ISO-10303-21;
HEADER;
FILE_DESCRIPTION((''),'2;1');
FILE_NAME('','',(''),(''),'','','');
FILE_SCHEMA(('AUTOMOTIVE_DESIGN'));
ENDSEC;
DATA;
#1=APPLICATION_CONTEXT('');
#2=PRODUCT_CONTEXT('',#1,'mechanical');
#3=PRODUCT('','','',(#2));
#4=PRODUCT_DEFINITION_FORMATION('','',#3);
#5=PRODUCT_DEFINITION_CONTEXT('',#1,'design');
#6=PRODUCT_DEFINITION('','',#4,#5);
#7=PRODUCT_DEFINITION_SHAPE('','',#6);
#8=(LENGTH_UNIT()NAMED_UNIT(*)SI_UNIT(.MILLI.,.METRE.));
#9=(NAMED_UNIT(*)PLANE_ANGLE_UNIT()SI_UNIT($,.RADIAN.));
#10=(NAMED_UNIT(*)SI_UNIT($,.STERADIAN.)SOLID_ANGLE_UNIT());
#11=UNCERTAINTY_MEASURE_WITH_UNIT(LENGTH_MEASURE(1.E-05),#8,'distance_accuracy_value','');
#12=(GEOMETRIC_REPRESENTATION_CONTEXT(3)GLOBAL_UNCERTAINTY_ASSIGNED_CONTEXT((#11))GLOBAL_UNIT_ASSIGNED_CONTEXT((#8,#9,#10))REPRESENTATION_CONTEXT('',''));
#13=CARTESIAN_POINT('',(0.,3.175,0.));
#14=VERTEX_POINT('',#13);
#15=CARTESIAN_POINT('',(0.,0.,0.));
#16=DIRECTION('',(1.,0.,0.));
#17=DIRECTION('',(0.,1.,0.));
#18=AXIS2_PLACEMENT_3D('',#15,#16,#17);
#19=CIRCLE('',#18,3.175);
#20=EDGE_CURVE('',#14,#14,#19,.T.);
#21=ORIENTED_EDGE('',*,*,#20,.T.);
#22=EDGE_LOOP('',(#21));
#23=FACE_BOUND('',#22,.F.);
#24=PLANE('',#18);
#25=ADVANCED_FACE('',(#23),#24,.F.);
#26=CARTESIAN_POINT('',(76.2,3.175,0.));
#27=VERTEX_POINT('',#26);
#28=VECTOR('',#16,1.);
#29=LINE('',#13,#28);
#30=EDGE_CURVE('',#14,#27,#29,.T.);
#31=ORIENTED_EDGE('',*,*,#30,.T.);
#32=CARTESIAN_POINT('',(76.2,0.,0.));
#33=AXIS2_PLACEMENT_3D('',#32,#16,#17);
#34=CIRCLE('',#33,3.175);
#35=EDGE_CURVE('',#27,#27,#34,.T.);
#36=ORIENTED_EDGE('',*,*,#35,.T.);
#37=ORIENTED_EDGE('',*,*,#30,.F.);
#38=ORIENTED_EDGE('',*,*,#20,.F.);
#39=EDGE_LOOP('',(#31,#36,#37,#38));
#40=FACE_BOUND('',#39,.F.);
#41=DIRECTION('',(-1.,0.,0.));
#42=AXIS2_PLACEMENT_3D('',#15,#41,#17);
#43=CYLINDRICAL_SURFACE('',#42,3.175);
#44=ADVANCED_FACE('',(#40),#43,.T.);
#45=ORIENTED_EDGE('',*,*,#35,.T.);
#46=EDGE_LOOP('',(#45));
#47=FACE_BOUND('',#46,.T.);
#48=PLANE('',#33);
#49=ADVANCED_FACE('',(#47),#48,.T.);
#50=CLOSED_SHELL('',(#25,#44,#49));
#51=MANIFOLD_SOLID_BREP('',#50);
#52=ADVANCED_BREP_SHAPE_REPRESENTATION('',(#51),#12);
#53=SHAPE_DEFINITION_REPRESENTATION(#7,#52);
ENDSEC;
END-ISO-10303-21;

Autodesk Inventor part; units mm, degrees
ref_plane "YZ Plane" through (0, 0, 0) normal (1, 0, 0) x (0, 1, 0)
ref_plane "XZ Plane" through (0, 0, 0) normal (0, 1, 0) x (-1, 0, 0)
ref_plane "XY Plane" through (0, 0, 0) normal (0, 0, 1) x (1, 0, 0)
sketch "Sketch1" plane through (0, 0, 0) normal (1, 0, 0) x (0, 1, 0)
  circle A0 centre (0, 0) radius 3.175
  dimension "d0" = 6.35
extrude "Extrusion1" add sketch "Sketch1" along normal blind 76.2
properties part number "long_Pin"
